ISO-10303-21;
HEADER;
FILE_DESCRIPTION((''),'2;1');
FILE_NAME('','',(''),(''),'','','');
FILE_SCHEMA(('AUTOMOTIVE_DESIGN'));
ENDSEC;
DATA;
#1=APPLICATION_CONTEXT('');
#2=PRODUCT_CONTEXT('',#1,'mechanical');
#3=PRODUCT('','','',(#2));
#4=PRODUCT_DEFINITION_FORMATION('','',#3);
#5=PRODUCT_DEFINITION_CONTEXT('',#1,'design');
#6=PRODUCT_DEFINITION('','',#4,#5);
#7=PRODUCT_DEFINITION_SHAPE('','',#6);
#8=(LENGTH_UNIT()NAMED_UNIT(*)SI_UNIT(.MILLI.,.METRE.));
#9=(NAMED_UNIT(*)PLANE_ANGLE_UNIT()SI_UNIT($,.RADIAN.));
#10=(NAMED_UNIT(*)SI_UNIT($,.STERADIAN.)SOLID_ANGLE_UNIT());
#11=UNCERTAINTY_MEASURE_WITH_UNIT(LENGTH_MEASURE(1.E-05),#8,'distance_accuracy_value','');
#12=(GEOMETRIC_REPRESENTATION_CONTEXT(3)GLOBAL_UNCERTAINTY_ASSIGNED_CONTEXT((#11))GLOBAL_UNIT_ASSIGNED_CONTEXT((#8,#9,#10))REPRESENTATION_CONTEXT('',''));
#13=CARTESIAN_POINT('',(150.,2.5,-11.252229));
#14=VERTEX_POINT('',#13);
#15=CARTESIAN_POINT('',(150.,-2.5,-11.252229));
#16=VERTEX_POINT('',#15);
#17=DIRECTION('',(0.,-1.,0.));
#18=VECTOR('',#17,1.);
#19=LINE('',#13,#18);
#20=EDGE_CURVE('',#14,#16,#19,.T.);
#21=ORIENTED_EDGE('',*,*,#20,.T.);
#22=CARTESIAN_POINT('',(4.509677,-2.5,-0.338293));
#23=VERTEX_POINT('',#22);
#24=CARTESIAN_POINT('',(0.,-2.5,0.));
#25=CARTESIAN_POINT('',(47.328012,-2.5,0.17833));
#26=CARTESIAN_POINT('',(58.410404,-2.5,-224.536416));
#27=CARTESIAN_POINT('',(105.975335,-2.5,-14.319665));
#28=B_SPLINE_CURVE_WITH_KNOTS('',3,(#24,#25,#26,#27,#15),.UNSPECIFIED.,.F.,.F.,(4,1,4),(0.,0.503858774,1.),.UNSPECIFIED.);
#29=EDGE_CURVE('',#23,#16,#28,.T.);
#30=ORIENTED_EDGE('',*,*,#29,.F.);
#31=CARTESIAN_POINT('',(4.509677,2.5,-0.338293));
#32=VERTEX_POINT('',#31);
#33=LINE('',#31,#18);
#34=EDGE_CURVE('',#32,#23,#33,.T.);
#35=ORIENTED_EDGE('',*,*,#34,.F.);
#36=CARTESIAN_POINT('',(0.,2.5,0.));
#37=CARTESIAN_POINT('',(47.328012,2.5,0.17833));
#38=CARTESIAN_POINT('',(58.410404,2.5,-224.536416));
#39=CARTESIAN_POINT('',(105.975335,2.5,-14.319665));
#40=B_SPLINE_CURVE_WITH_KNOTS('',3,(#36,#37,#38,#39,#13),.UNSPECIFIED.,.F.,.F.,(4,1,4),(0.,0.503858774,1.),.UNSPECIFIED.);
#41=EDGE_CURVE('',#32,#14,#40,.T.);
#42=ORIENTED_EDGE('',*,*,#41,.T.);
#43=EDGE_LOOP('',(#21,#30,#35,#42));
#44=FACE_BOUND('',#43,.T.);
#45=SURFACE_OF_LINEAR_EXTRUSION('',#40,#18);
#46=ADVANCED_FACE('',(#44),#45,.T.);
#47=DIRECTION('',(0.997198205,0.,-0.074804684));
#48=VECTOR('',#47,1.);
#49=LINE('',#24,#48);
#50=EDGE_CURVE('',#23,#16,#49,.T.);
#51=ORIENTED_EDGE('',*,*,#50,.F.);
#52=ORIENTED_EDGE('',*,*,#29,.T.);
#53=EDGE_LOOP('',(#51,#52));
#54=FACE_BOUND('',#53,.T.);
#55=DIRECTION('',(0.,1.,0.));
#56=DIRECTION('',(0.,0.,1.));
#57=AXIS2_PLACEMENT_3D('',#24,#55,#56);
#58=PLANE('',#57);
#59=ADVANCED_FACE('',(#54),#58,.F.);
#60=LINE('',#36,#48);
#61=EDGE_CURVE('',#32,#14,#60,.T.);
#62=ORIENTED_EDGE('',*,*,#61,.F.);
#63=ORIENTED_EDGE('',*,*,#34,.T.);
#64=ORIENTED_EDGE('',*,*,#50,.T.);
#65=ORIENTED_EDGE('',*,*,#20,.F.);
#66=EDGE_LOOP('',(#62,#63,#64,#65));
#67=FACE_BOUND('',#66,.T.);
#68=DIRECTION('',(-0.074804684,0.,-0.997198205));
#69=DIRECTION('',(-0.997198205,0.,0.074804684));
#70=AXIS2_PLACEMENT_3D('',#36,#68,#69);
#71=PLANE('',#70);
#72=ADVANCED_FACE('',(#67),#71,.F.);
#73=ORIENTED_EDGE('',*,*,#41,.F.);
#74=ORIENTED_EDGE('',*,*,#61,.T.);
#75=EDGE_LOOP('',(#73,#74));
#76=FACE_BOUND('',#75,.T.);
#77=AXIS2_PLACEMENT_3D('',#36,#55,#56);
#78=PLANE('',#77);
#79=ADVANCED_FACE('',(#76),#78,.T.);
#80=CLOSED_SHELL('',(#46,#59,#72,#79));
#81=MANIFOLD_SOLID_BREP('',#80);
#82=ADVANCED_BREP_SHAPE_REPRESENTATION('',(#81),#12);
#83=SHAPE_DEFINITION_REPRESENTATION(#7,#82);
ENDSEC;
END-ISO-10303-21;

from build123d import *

# Parameters (mm, degrees)
BOSS_EXTRUDE1_DEPTH = 2.5


with BuildPart() as part:
    # Sketch1 → Boss-Extrude1 (new, symmetric)
    with BuildSketch(Plane(origin=(0, 0, 0), x_dir=(1, 0, 0), z_dir=(0, 1, 0))):
        with BuildLine():
            add(Edge.make_bspline(
                [(4.509676905, 0.338292783), (47.703012448, 7.106723924), (59.193899858, 221.073696506), (105.975334824, 14.319665249), (150, 11.252229051)],
                knots=[0.016472138, 0.016472138, 0.016472138, 0.016472138, 0.503858774, 1, 1, 1, 1], degree=3))
            Line((4.509676905, 0.338292783), (150, 11.252229051))
        make_face()
    extrude(amount=BOSS_EXTRUDE1_DEPTH, both=True)


solid = part.part
